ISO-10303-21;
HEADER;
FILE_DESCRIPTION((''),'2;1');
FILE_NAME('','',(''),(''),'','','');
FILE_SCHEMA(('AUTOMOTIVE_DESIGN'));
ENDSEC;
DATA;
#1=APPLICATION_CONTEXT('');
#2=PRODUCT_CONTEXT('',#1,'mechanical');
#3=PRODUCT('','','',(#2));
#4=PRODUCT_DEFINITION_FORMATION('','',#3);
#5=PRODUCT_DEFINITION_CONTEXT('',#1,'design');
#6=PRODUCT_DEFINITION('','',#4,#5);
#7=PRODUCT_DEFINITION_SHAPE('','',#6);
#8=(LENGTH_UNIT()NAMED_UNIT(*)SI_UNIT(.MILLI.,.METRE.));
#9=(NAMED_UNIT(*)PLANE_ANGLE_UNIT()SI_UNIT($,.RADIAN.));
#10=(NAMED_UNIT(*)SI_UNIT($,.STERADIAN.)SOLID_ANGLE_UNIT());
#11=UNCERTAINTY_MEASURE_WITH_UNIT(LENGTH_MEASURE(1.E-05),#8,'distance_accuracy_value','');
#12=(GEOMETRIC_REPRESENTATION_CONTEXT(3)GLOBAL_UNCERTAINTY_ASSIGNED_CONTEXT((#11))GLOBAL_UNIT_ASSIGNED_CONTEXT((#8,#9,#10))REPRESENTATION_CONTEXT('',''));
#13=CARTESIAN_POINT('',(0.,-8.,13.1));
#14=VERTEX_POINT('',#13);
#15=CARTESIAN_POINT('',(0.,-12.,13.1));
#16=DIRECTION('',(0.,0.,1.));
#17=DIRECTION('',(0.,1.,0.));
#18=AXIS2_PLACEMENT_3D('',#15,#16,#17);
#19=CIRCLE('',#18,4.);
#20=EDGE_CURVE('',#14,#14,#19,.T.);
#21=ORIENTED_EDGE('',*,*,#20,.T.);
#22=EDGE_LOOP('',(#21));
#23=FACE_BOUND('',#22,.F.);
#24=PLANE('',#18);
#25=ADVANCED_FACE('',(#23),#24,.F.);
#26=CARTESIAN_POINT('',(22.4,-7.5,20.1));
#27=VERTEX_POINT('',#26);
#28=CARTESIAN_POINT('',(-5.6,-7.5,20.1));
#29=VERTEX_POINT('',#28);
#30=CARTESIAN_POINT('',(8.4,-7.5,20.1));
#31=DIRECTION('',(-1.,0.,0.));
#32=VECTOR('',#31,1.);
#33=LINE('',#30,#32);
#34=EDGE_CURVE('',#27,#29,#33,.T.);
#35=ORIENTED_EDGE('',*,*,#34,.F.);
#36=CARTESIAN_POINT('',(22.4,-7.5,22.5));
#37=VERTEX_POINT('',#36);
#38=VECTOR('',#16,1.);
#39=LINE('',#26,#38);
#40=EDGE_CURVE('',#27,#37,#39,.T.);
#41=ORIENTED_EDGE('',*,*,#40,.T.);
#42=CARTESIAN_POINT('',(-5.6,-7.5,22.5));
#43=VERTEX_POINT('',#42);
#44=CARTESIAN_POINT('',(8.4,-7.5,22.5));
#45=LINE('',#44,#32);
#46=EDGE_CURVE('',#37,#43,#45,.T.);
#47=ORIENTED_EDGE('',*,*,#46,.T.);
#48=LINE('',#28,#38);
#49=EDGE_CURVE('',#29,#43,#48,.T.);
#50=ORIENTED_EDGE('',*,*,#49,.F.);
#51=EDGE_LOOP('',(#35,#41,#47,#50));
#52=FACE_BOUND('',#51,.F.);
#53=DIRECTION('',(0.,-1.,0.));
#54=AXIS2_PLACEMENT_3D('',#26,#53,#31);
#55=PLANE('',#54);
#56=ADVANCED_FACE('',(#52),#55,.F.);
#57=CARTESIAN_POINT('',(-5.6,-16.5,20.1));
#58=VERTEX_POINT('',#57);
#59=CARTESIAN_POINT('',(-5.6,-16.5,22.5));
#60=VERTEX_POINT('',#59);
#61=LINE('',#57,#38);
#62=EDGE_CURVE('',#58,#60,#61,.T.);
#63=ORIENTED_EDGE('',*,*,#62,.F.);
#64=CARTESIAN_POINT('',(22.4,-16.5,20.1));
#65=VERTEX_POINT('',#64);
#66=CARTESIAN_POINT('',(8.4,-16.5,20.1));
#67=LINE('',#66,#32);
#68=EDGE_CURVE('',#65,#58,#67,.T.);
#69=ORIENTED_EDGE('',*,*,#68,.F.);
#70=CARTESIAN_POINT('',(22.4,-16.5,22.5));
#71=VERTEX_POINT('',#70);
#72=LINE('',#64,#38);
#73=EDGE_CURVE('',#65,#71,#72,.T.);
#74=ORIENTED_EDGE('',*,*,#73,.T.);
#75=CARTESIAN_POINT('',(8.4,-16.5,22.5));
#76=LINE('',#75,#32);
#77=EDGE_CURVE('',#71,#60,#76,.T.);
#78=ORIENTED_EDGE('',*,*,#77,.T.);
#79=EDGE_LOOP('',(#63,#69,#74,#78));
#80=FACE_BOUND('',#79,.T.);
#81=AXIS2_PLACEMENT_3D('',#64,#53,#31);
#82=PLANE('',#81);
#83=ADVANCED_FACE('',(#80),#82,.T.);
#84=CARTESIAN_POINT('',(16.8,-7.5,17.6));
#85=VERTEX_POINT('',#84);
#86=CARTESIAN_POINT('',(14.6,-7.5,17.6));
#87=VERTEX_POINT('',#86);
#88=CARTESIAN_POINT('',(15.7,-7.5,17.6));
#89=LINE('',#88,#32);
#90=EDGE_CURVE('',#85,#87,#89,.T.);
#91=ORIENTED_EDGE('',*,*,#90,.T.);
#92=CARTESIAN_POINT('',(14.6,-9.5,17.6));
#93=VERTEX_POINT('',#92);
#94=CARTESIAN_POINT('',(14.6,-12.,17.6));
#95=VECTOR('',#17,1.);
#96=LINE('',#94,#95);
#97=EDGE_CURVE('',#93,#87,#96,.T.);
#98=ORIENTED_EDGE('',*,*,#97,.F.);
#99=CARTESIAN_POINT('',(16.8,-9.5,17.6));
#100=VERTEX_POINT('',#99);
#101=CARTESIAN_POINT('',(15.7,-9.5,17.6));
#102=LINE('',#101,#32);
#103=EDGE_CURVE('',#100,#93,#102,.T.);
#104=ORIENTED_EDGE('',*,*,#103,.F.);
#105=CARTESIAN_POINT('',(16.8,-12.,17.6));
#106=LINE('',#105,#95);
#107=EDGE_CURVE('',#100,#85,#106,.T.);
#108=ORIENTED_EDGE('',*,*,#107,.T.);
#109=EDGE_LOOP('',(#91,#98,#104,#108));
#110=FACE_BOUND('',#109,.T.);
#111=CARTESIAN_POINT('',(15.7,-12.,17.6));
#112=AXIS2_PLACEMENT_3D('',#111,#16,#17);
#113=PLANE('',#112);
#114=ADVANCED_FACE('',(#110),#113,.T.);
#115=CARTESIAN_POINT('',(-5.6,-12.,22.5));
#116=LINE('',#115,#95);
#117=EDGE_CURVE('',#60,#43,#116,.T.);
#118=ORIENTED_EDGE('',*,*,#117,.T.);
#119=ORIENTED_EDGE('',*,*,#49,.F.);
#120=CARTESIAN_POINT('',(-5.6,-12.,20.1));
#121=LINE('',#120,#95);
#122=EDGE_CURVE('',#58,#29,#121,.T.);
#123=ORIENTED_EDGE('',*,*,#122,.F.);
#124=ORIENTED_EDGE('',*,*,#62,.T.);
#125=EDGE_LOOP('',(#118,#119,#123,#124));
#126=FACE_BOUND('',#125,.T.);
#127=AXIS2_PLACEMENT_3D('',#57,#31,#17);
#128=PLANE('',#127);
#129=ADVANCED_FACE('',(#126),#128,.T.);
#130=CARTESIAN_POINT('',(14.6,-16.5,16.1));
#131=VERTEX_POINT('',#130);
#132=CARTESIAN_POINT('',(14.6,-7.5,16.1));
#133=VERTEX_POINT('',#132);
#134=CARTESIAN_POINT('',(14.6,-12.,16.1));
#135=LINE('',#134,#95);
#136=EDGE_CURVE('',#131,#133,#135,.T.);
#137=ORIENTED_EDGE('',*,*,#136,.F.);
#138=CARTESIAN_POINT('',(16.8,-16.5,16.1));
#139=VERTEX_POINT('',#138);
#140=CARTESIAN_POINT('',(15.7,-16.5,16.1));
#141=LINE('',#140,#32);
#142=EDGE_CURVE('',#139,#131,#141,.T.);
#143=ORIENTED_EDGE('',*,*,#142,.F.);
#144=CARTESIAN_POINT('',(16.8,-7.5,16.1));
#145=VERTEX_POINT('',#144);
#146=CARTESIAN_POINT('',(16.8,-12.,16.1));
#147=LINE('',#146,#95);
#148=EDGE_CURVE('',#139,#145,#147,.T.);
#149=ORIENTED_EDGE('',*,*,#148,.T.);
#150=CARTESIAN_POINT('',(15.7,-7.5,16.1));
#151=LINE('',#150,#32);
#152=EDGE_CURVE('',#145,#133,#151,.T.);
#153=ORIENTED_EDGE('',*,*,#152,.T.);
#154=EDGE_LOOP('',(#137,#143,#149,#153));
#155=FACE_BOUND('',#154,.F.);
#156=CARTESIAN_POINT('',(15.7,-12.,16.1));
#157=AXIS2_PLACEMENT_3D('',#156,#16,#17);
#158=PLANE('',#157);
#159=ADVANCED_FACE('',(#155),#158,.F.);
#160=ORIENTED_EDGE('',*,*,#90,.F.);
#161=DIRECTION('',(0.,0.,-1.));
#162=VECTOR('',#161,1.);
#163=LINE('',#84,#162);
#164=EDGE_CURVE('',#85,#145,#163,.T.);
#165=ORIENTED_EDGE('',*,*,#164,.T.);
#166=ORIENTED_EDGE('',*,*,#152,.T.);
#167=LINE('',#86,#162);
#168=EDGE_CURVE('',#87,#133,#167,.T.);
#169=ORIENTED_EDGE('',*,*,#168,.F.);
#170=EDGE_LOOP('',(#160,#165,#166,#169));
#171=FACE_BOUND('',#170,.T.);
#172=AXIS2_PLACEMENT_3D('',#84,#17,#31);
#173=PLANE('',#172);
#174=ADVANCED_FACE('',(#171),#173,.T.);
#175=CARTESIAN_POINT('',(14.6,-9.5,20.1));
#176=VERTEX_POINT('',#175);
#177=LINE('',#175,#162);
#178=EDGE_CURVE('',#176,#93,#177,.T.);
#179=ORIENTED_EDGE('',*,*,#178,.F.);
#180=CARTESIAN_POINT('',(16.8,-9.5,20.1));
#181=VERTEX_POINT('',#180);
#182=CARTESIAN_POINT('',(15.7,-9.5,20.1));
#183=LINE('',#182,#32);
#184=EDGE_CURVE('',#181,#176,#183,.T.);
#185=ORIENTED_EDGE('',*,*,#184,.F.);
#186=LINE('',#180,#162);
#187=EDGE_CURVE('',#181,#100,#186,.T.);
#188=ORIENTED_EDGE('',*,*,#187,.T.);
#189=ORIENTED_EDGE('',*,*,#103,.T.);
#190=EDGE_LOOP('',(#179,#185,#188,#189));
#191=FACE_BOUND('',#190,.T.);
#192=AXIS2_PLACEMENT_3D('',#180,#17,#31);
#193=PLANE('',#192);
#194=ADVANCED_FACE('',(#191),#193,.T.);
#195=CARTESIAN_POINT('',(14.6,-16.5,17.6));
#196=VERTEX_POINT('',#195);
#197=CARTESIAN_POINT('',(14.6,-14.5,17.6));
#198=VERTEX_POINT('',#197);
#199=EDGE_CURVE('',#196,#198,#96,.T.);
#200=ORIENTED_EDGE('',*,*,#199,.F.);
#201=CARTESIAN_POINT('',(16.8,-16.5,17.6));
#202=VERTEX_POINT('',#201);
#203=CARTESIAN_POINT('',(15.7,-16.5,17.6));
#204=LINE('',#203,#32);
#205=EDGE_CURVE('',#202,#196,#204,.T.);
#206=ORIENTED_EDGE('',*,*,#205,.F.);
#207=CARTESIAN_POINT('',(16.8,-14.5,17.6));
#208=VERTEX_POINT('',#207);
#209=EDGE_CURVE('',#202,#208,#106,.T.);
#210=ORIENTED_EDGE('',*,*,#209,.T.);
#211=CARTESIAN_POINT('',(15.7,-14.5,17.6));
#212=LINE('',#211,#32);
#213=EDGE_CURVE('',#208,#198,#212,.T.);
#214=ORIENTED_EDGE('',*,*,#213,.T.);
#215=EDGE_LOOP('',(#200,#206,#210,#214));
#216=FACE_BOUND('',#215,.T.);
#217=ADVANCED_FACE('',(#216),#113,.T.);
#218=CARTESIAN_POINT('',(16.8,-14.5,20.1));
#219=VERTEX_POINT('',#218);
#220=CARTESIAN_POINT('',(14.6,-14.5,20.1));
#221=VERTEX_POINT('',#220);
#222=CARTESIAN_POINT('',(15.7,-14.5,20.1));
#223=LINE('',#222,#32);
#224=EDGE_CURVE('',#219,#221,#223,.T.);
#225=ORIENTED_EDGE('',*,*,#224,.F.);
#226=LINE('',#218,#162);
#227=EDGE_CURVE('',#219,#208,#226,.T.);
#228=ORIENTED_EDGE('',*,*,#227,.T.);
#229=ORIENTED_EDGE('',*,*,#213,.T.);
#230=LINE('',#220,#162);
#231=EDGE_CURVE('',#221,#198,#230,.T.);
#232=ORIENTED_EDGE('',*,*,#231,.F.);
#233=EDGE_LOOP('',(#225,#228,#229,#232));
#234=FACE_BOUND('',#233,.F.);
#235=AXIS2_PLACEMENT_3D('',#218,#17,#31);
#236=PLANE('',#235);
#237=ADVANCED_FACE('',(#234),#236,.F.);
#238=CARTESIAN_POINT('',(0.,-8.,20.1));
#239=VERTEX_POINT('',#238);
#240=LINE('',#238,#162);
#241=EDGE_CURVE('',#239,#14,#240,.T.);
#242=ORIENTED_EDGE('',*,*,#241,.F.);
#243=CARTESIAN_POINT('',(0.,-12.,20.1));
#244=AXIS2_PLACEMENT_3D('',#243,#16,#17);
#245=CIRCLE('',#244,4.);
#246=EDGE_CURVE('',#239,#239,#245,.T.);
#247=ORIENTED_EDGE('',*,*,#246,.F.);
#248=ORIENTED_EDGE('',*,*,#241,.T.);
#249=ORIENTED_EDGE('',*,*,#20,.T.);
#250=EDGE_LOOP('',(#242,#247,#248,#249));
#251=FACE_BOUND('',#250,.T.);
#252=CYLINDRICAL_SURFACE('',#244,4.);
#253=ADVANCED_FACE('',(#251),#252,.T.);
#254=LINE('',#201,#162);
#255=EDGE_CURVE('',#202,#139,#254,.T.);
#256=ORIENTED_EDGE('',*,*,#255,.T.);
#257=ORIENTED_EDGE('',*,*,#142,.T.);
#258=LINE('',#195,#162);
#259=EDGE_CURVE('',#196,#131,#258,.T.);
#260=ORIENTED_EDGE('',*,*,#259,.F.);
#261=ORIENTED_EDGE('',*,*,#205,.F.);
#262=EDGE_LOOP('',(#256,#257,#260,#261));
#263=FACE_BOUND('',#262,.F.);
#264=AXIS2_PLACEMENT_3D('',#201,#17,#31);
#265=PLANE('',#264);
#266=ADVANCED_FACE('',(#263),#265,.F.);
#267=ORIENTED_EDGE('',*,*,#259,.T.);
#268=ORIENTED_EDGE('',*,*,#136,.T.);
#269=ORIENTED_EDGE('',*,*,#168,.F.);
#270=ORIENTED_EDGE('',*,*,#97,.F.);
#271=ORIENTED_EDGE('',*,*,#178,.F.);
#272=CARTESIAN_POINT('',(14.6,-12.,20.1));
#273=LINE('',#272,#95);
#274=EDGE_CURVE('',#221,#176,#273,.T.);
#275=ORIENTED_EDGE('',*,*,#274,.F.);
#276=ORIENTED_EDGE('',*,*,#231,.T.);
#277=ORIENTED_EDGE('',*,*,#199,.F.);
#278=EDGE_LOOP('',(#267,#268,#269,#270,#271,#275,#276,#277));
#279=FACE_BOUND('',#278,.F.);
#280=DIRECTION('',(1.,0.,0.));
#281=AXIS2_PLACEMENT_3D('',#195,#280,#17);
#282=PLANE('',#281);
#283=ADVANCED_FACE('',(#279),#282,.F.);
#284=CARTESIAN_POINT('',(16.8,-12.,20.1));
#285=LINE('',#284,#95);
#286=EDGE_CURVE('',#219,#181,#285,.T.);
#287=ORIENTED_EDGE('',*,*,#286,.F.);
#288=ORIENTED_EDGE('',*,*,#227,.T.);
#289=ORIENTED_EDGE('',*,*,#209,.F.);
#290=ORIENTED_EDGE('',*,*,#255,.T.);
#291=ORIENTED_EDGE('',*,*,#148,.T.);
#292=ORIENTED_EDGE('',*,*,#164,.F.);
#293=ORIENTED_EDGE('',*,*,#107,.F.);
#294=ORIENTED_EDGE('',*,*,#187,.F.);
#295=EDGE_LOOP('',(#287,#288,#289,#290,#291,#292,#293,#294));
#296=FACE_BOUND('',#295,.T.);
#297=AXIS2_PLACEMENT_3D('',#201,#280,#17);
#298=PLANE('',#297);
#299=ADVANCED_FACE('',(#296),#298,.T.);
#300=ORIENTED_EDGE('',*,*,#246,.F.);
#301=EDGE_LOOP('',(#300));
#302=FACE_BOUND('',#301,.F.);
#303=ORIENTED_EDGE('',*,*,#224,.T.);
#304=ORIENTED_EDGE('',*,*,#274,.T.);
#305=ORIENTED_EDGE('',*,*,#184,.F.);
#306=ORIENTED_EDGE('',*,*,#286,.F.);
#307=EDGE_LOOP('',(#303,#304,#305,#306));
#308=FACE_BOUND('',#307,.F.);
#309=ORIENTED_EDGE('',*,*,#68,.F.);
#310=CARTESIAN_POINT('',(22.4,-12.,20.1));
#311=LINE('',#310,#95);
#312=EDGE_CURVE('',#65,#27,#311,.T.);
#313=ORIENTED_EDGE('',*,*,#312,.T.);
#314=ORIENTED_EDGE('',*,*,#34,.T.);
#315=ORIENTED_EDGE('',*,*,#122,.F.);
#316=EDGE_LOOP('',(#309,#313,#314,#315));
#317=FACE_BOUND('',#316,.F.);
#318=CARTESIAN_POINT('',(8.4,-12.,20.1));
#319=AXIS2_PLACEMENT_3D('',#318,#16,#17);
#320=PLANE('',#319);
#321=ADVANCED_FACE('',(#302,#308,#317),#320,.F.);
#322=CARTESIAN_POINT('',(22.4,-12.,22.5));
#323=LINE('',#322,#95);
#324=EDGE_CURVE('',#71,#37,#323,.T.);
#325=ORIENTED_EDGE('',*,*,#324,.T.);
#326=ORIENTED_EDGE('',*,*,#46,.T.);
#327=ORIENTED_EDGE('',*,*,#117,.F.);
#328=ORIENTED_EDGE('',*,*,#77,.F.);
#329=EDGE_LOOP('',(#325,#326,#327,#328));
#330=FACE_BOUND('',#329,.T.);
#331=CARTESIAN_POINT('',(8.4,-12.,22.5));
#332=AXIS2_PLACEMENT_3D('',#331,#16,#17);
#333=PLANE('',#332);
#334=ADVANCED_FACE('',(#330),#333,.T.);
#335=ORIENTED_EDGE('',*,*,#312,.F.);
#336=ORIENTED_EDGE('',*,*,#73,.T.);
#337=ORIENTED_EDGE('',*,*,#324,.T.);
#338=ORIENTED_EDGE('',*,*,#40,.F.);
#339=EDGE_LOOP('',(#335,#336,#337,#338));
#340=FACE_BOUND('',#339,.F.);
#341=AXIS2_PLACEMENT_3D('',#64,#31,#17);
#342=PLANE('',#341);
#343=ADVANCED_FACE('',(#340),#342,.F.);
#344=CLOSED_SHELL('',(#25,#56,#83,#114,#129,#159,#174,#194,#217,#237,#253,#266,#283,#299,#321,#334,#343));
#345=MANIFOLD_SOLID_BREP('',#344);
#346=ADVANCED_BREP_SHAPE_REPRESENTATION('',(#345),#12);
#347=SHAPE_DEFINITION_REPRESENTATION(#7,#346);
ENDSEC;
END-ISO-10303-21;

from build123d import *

# Parameters (mm, degrees)
SKETCH115_W             = 9
SKETCH115_H             = 28
PAD054_DEPTH            = 2.4
SKETCH116_W             = 5
SKETCH116_H             = 2.2
PAD055_DEPTH            = 2.5
SKETCH118_W             = 9
SKETCH118_H             = 2.2
PAD057_DEPTH            = 1.5
SKETCH119_R             = 4
PAD058_DEPTH            = 7
BODY014_PLACEMENT_ANGLE = 90


with BuildPart() as part:
    # Sketch115 → Pad054 (new body)
    with BuildSketch(Plane.XY):
        Rectangle(SKETCH115_W, SKETCH115_H)
    extrude(amount=PAD054_DEPTH)

    # Sketch116 → Pad055 (join)
    with BuildSketch(Plane.XY):
        with Locations((0, -7.3)):
            Rectangle(SKETCH116_W, SKETCH116_H)
    extrude(amount=-PAD055_DEPTH)

    # Sketch118 → Pad057 (join)
    with BuildSketch(Plane.XY.offset(-2.5)):
        with Locations((0, -7.3)):
            Rectangle(SKETCH118_W, SKETCH118_H)
    extrude(amount=-PAD057_DEPTH)

    # Sketch119 → Pad058 (join)
    with BuildSketch(Plane.XY):
        with Locations((0, 8.4)):
            Circle(SKETCH119_R)
    extrude(amount=-PAD058_DEPTH)


with BuildPart() as part_1:
    # Body014 placement: moved
    add(part.part.moved(Location((8.4, -12, 20.1))).rotate(Axis((8.4, -12, 20.1), (0, 0, 1)), BODY014_PLACEMENT_ANGLE))


solid = part_1.part
